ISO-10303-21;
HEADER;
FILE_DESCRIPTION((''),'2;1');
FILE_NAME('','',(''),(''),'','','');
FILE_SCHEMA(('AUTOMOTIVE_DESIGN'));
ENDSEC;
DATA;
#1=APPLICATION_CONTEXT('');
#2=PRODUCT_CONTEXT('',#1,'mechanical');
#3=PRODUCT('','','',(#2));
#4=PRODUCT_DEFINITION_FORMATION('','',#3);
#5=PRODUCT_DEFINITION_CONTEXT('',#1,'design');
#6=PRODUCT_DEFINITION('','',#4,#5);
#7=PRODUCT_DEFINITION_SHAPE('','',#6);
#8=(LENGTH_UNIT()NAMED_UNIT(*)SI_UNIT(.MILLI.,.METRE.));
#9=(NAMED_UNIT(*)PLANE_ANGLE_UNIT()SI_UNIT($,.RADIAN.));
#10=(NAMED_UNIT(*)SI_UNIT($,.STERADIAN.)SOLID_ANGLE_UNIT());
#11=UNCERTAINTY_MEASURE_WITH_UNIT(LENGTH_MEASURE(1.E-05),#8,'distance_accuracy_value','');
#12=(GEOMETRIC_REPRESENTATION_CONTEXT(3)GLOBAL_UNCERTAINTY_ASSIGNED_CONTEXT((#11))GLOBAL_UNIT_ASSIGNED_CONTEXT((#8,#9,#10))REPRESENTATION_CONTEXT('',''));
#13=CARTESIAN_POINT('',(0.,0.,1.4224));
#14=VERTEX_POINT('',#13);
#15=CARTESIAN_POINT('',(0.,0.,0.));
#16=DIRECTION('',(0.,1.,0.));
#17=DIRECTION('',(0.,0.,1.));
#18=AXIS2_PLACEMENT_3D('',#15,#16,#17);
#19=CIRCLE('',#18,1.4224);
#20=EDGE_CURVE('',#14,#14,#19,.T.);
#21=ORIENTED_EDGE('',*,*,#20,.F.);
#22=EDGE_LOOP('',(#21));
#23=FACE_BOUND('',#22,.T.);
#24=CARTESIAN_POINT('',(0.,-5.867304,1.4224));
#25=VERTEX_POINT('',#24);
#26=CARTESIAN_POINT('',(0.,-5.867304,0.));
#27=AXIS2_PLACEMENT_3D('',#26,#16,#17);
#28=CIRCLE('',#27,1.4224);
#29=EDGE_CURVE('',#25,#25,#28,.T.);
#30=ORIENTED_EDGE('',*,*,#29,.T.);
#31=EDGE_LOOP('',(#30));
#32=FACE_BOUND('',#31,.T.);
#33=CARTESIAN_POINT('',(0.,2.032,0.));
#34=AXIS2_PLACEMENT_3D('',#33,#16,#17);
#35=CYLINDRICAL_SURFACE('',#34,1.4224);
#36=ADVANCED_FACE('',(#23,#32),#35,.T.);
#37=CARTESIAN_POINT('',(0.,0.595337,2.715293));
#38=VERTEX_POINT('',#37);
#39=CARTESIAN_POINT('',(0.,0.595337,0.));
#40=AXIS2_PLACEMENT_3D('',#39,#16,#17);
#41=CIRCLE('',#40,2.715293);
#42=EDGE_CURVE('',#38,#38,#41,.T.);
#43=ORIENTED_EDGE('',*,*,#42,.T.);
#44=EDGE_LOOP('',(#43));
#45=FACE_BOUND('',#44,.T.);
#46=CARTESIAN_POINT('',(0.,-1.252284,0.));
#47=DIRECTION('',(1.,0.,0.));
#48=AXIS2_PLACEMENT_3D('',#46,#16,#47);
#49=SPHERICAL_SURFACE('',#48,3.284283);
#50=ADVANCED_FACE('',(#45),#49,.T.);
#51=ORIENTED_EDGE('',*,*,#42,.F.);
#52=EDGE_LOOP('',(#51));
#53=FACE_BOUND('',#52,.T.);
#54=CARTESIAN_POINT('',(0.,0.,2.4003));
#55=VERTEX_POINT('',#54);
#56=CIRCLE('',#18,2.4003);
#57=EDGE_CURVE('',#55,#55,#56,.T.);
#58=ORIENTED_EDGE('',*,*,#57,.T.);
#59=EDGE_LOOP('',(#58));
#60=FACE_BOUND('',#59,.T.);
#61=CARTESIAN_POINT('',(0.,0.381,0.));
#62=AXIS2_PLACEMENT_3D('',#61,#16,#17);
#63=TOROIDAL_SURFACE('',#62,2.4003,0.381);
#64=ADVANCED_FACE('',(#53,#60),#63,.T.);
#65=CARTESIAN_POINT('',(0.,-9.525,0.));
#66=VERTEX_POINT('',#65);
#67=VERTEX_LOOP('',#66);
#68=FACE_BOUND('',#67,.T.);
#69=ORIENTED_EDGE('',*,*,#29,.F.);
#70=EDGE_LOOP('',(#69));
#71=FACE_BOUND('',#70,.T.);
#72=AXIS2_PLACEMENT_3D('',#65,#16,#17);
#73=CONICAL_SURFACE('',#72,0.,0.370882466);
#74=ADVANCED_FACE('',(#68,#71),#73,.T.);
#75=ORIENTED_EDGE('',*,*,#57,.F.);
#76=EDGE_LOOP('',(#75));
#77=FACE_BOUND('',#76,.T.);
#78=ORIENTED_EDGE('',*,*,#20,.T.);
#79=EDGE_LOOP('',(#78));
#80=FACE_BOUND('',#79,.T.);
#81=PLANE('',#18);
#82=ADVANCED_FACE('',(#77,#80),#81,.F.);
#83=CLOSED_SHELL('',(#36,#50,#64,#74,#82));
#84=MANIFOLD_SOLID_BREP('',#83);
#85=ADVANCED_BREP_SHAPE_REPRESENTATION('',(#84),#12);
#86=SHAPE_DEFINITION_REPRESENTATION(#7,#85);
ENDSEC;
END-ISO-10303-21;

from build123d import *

# Parameters (mm, degrees)
SKETCH1_W = 1.4224
SKETCH1_H = 5.867304468


with BuildPart() as part:
    # Sketch1 → Revolve5 (revolve)
    with BuildSketch(Plane.XY):
        with BuildLine():
            Line((0, 2.032), (0, 0))
            Line((0, 0), (1.4224, 0))
            Line((1.4224, 0), (2.4003, 0))
            ThreePointArc((2.4003, 0), (2.737066528, 0.202816652), (2.71529311, 0.595336979))
            ThreePointArc((2.71529311, 0.595336979), (1.535970159, 1.6507001), (0, 2.032))
        make_face()
        with Locations((0.7112, -2.933652234)):
            Rectangle(SKETCH1_W, SKETCH1_H)
        Polygon((1.4224, -5.867304468), (0, -5.867304468), (0, -9.525), align=None)
    revolve(axis=Axis((0, 2.032, 0), (0, -1, 0)))


solid = part.part
